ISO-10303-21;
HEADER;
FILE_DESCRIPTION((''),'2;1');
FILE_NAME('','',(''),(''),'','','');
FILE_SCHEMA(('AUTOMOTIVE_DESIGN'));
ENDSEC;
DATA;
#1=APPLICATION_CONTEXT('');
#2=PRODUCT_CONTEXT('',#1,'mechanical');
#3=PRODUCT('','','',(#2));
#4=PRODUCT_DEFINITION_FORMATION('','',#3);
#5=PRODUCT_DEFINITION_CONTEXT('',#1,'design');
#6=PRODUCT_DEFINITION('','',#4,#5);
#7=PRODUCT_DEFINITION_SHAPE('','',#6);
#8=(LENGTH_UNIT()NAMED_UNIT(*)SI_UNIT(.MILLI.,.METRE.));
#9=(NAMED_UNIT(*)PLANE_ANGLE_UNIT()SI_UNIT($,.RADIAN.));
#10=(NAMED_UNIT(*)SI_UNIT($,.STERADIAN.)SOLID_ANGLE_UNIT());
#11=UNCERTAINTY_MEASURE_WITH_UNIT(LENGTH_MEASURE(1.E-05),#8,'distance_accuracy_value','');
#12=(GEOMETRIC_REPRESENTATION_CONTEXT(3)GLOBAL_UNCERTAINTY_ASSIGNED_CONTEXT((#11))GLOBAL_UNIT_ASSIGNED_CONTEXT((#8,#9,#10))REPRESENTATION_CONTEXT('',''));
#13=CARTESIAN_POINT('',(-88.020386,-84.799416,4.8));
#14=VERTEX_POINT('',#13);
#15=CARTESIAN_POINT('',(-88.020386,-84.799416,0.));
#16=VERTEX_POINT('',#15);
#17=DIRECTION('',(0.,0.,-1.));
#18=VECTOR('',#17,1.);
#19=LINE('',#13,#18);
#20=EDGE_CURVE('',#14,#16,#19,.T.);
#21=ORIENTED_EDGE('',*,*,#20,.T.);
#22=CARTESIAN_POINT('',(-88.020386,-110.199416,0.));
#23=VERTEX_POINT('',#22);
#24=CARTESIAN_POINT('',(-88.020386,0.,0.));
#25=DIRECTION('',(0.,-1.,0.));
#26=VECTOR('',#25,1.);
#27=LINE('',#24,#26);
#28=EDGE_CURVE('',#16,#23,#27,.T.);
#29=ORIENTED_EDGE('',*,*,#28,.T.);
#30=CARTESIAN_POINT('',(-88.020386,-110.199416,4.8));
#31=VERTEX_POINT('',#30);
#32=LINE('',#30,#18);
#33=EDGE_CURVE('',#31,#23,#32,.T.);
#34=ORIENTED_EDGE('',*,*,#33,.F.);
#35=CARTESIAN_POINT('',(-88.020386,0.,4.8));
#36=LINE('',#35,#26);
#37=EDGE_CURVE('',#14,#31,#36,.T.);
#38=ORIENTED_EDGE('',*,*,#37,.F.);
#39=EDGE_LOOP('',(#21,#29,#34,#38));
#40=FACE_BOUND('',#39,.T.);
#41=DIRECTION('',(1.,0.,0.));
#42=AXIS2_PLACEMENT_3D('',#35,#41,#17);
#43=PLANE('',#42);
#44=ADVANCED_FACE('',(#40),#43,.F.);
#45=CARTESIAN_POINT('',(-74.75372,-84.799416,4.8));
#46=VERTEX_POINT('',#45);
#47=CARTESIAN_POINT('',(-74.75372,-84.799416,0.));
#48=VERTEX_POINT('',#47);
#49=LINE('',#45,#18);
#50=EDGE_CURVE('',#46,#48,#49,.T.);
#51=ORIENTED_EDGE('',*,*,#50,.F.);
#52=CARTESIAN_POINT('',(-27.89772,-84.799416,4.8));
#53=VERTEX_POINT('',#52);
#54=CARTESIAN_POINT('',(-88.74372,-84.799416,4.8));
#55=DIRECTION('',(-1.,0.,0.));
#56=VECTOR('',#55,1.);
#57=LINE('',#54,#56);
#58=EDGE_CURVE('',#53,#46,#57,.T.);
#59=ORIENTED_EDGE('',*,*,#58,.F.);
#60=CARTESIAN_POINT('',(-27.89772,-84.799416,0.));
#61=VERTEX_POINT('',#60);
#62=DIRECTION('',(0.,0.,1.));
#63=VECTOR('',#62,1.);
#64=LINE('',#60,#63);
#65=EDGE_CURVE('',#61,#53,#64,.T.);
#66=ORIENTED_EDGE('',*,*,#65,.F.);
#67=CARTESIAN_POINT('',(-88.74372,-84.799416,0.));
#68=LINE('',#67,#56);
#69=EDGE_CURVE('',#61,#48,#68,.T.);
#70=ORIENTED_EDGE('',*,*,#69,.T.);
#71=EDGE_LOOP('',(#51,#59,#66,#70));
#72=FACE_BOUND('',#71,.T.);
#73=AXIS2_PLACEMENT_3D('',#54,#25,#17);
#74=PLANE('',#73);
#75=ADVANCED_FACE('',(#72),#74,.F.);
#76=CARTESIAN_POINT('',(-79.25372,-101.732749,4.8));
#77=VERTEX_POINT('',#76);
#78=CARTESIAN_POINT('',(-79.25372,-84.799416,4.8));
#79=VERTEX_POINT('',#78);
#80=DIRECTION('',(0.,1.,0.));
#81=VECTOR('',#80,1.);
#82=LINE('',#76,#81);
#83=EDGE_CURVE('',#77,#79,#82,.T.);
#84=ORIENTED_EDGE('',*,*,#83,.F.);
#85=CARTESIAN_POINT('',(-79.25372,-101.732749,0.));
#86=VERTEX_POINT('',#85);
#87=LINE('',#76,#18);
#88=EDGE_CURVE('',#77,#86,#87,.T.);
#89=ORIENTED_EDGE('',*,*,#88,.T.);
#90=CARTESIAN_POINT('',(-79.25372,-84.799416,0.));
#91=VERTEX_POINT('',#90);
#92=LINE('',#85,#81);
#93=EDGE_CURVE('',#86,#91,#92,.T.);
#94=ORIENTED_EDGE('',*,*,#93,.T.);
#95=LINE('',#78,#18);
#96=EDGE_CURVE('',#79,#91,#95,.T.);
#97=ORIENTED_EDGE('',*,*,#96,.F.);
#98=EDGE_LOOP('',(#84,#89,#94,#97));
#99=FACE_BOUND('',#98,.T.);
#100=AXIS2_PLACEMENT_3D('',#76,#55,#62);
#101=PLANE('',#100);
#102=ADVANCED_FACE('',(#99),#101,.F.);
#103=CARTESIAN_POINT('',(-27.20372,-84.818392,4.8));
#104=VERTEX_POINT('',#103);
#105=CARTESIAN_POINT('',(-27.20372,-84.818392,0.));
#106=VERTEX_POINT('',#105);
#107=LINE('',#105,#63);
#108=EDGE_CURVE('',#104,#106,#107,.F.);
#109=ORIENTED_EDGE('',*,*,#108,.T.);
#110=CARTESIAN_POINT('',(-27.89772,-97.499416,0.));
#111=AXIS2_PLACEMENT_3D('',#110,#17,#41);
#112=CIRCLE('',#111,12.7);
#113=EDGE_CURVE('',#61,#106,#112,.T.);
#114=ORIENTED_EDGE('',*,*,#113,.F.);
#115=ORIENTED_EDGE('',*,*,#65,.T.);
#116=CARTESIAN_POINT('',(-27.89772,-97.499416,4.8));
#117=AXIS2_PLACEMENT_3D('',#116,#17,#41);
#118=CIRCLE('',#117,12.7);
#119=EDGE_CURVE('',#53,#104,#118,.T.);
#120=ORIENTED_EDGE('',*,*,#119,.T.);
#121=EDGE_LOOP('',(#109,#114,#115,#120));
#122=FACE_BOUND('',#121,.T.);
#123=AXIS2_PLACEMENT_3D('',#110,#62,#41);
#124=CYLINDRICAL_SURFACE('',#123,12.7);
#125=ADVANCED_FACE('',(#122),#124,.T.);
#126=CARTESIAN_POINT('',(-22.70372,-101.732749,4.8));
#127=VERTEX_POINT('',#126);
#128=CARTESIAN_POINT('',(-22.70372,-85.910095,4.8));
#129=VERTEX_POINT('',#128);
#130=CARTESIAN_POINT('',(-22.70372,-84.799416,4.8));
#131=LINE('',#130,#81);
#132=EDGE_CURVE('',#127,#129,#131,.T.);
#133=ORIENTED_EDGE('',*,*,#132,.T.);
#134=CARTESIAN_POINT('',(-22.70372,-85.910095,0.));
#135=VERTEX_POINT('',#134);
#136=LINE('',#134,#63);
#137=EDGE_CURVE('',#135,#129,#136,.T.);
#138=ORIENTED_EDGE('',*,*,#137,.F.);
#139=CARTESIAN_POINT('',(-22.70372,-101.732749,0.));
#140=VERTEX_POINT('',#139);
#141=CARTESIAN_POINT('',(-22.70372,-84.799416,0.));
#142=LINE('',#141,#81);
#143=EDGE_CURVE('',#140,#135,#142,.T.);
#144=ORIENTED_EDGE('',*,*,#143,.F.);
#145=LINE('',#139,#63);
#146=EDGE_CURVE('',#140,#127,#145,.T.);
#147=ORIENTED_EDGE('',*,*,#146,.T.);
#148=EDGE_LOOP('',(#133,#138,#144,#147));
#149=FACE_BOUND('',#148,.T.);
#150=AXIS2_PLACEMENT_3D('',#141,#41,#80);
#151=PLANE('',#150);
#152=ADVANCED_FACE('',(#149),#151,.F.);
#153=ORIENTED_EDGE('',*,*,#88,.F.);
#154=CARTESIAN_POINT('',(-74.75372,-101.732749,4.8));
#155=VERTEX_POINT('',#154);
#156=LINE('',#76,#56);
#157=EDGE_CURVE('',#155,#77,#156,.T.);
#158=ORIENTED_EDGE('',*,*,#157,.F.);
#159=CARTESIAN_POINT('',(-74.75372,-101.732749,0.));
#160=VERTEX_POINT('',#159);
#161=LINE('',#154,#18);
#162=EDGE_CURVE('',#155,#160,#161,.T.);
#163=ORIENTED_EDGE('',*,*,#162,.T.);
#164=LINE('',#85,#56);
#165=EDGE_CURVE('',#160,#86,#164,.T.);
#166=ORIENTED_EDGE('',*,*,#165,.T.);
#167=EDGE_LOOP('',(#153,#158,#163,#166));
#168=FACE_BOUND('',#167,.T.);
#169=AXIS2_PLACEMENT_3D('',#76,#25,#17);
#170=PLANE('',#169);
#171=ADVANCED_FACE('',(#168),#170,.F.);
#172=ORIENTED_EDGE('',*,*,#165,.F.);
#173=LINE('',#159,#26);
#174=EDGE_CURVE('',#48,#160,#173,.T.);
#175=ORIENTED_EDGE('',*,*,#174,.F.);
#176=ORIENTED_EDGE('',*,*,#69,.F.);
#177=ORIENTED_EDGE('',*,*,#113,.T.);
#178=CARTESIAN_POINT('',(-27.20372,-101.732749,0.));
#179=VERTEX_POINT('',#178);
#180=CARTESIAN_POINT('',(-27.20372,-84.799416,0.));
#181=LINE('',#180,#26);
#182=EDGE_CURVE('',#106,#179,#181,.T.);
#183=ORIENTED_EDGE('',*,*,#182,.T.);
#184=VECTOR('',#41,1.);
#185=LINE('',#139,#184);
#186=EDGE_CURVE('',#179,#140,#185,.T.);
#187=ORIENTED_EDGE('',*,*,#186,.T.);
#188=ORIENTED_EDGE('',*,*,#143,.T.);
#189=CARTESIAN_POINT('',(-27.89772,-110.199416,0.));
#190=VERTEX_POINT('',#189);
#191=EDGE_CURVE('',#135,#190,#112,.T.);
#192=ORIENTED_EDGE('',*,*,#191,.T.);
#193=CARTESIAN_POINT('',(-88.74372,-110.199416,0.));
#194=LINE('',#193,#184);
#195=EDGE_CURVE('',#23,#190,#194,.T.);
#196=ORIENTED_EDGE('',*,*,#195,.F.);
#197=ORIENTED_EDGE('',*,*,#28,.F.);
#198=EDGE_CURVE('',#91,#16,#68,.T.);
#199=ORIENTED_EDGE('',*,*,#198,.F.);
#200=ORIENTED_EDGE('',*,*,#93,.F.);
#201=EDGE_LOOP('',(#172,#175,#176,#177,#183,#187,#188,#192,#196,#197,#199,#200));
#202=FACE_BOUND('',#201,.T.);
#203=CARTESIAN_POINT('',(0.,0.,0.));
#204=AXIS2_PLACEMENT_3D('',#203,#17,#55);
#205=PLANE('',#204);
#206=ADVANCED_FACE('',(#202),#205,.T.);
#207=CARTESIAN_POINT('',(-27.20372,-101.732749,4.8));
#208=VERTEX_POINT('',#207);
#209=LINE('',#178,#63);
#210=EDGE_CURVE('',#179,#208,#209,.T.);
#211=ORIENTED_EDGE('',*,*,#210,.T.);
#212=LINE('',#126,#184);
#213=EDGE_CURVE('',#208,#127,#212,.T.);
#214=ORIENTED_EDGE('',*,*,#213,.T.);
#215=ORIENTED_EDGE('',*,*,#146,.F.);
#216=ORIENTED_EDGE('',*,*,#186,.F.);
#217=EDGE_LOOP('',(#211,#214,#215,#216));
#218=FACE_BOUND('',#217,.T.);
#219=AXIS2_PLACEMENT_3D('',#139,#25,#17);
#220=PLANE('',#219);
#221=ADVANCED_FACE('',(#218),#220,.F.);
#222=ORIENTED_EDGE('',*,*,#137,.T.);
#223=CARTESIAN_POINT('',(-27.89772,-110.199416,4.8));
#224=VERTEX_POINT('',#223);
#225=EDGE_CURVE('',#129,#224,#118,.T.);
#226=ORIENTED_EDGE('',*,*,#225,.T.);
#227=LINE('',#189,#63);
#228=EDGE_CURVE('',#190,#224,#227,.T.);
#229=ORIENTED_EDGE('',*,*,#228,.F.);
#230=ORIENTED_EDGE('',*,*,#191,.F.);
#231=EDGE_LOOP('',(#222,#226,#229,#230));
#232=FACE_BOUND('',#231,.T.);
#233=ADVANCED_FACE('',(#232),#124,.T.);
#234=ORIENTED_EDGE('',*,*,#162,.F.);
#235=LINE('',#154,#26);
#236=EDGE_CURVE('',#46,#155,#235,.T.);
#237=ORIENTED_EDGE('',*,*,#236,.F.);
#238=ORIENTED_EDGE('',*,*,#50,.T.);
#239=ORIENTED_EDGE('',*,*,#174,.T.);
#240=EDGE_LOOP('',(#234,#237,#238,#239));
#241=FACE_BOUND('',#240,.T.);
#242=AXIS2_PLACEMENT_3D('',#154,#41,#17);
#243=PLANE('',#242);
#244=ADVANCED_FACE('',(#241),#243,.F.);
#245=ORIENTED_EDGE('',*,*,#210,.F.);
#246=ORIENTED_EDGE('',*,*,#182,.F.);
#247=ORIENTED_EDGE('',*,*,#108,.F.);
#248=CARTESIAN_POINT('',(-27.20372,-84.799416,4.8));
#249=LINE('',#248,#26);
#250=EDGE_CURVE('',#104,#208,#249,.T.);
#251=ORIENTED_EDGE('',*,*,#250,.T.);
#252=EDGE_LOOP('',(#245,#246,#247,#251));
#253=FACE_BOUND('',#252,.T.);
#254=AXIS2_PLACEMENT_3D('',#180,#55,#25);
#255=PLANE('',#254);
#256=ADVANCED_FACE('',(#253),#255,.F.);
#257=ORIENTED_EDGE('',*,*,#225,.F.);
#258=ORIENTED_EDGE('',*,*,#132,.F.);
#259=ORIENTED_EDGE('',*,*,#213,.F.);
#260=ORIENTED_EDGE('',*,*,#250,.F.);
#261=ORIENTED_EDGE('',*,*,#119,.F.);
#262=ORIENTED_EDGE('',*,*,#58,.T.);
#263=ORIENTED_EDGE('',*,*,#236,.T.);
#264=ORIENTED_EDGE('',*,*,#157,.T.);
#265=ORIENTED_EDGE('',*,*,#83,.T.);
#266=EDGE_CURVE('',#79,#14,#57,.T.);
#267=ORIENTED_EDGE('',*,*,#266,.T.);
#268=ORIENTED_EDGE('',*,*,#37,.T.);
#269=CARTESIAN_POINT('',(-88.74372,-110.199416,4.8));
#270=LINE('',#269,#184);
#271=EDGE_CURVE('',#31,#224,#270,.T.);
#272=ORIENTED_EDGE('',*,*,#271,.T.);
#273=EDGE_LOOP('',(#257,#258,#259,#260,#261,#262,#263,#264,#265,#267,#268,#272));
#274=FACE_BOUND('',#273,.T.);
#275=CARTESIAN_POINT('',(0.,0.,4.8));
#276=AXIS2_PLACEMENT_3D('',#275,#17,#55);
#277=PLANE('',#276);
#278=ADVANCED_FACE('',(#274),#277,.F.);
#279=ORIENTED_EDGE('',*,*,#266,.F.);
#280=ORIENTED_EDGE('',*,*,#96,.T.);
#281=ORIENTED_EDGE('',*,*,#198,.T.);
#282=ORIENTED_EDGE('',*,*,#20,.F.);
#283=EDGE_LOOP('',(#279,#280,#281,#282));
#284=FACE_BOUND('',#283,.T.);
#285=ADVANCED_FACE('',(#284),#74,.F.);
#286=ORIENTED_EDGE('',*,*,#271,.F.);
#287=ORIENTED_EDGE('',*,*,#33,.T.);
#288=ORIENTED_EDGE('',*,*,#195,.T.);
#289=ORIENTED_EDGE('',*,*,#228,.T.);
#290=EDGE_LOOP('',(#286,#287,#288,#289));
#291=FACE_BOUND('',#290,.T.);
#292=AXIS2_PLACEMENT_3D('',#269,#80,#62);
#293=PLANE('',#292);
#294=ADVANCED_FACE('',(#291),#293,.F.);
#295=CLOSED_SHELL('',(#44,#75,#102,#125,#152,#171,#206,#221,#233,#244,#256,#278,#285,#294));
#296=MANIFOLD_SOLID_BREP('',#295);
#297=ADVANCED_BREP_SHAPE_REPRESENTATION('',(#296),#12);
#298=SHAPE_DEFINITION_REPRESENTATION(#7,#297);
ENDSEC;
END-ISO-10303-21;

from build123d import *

# Parameters (mm, degrees)
SKETCH1_W           = 76.2
SKETCH1_H           = 25.4
BOSS_EXTRUDE1_DEPTH = 4.800000052
CUT_EXTRUDE2_DEPTH  = 142.571180171
SKETCH2_W           = 4.500000144
SKETCH2_H           = 16.933333333
CUT_EXTRUDE3_DEPTH  = 142.571180171
SKETCH7_W           = 4.500000144
SKETCH7_H           = 16.933333333
CUT_EXTRUDE4_DEPTH  = 142.571180171
SKETCH8_W           = 0.723333241
SKETCH8_H           = 25.4
CUT_EXTRUDE5_DEPTH  = 142.571180171


with BuildPart() as part:
    # Sketch1 → Boss-Extrude1 (new body)
    with BuildSketch(Plane.XY):
        with Locations((-50.643719603, -97.499415994)):
            Rectangle(SKETCH1_W, SKETCH1_H)
    extrude(amount=BOSS_EXTRUDE1_DEPTH)

    # Sketch6 → Cut-Extrude2 (cut, through all)
    with BuildSketch(Plane.XY.offset(4.800000052)):
        with BuildLine():
            Line((-27.897719629, -110.199415994), (-12.543719603, -110.199415994))
            Line((-12.543719603, -110.199415994), (-12.543719603, -84.799415994))
            Line((-12.543719603, -84.799415994), (-27.897719629, -84.799415994))
            ThreePointArc((-27.897719629, -84.799415994), (-15.197719629, -97.499415994), (-27.897719629, -110.199415994))
        make_face()
    extrude(amount=-CUT_EXTRUDE2_DEPTH, mode=Mode.SUBTRACT)

    # Sketch2 → Cut-Extrude3 (cut, through all)
    with BuildSketch(Plane.XY.offset(4.800000052)):
        with Locations((-24.953719675, -93.266082661)):
            Rectangle(SKETCH2_W, SKETCH2_H)
    extrude(amount=-CUT_EXTRUDE3_DEPTH, mode=Mode.SUBTRACT)

    # Sketch7 → Cut-Extrude4 (cut, through all)
    with BuildSketch(Plane(origin=(0, 0, 0), x_dir=(-1, 0, 0), z_dir=(0, 0, -1))):
        with Locations((77.003719715, -93.266082661)):
            Rectangle(SKETCH7_W, SKETCH7_H)
    extrude(amount=-CUT_EXTRUDE4_DEPTH, mode=Mode.SUBTRACT)

    # Sketch8 → Cut-Extrude5 (cut, through all)
    with BuildSketch(Plane(origin=(0, 0, 0), x_dir=(-1, 0, 0), z_dir=(0, 0, -1))):
        with Locations((88.382052982, -97.499415994)):
            Rectangle(SKETCH8_W, SKETCH8_H)
    extrude(amount=-CUT_EXTRUDE5_DEPTH, mode=Mode.SUBTRACT)


solid = part.part
